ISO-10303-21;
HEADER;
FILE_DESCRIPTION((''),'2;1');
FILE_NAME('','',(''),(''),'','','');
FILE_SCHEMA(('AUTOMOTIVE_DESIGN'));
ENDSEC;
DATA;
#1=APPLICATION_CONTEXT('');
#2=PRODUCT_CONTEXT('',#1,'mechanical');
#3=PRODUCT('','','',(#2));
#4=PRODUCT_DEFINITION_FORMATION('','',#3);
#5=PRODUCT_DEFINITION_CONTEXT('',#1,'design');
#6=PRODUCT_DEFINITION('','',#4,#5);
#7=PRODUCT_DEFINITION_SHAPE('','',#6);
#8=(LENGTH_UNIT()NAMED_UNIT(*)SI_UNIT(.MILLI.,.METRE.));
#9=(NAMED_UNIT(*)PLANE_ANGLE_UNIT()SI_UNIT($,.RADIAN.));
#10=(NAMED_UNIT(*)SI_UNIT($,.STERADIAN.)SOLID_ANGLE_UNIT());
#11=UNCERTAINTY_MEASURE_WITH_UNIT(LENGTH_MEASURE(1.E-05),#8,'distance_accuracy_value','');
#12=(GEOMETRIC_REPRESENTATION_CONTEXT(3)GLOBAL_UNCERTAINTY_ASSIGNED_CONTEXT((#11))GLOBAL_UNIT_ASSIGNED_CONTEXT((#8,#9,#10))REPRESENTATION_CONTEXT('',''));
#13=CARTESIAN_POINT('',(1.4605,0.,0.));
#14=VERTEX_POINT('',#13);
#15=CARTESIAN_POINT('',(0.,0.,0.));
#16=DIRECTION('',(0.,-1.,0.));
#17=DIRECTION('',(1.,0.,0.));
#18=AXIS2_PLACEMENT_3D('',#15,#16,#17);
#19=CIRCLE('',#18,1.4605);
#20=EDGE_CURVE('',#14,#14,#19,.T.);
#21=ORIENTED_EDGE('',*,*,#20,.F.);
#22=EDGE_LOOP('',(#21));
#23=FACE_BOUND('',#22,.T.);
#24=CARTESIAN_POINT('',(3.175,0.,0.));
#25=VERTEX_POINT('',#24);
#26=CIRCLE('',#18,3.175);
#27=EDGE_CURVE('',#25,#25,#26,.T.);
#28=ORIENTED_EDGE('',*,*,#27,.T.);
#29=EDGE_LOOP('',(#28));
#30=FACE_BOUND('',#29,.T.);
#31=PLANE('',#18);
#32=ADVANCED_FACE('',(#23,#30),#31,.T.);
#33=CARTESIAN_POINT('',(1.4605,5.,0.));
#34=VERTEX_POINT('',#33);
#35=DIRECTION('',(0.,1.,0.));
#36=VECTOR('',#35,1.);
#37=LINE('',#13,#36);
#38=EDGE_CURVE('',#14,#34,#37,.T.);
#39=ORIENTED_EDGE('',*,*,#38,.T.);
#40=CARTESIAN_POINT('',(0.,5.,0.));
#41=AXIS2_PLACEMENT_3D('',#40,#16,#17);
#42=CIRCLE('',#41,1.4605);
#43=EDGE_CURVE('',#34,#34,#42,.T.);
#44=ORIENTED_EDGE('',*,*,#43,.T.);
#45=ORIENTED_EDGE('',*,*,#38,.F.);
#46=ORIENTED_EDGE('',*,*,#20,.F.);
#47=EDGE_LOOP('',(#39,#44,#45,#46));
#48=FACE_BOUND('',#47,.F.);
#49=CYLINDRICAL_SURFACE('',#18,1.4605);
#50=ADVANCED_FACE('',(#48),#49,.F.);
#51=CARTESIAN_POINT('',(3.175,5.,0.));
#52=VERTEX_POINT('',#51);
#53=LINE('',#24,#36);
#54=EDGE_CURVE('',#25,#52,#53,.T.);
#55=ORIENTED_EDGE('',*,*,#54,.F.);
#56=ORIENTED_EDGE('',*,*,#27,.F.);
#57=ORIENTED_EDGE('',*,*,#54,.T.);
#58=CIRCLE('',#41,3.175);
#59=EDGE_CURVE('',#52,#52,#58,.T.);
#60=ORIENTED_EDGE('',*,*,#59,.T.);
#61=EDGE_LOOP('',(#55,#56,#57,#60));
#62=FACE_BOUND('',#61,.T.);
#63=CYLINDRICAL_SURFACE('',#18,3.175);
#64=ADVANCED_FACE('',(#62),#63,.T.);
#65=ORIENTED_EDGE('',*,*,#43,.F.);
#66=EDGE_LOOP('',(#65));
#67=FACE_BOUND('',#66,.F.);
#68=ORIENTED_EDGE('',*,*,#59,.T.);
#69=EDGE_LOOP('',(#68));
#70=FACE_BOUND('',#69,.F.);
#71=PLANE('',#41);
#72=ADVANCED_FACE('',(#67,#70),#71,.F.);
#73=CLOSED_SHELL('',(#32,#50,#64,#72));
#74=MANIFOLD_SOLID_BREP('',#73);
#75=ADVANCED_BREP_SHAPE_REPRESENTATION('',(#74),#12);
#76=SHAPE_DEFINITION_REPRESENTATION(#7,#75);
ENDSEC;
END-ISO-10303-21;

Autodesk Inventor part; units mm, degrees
ref_plane "YZ Plane" through (0, 0, 0) normal (1, 0, 0) x (0, 1, 0)
ref_plane "XZ Plane" through (0, 0, 0) normal (0, 1, 0) x (-1, 0, 0)
ref_plane "XY Plane" through (0, 0, 0) normal (0, 0, 1) x (1, 0, 0)
ref_plane "Work Plane1" through (0, 0, 0) normal (0, -1, 0) x (1, 0, 0)
sketch "Sketch1" plane through (0, 0, 0) normal (0, -1, 0) x (1, 0, 0)
  circle A0 centre (0, 0) radius 1.4605
  circle A1 centre (0, 0) radius 3.175
extrude "Extrusion1" add sketch "Sketch1" against normal blind 5
properties part number "plastic_standoff_10mm" material "PAEK Plastic"
